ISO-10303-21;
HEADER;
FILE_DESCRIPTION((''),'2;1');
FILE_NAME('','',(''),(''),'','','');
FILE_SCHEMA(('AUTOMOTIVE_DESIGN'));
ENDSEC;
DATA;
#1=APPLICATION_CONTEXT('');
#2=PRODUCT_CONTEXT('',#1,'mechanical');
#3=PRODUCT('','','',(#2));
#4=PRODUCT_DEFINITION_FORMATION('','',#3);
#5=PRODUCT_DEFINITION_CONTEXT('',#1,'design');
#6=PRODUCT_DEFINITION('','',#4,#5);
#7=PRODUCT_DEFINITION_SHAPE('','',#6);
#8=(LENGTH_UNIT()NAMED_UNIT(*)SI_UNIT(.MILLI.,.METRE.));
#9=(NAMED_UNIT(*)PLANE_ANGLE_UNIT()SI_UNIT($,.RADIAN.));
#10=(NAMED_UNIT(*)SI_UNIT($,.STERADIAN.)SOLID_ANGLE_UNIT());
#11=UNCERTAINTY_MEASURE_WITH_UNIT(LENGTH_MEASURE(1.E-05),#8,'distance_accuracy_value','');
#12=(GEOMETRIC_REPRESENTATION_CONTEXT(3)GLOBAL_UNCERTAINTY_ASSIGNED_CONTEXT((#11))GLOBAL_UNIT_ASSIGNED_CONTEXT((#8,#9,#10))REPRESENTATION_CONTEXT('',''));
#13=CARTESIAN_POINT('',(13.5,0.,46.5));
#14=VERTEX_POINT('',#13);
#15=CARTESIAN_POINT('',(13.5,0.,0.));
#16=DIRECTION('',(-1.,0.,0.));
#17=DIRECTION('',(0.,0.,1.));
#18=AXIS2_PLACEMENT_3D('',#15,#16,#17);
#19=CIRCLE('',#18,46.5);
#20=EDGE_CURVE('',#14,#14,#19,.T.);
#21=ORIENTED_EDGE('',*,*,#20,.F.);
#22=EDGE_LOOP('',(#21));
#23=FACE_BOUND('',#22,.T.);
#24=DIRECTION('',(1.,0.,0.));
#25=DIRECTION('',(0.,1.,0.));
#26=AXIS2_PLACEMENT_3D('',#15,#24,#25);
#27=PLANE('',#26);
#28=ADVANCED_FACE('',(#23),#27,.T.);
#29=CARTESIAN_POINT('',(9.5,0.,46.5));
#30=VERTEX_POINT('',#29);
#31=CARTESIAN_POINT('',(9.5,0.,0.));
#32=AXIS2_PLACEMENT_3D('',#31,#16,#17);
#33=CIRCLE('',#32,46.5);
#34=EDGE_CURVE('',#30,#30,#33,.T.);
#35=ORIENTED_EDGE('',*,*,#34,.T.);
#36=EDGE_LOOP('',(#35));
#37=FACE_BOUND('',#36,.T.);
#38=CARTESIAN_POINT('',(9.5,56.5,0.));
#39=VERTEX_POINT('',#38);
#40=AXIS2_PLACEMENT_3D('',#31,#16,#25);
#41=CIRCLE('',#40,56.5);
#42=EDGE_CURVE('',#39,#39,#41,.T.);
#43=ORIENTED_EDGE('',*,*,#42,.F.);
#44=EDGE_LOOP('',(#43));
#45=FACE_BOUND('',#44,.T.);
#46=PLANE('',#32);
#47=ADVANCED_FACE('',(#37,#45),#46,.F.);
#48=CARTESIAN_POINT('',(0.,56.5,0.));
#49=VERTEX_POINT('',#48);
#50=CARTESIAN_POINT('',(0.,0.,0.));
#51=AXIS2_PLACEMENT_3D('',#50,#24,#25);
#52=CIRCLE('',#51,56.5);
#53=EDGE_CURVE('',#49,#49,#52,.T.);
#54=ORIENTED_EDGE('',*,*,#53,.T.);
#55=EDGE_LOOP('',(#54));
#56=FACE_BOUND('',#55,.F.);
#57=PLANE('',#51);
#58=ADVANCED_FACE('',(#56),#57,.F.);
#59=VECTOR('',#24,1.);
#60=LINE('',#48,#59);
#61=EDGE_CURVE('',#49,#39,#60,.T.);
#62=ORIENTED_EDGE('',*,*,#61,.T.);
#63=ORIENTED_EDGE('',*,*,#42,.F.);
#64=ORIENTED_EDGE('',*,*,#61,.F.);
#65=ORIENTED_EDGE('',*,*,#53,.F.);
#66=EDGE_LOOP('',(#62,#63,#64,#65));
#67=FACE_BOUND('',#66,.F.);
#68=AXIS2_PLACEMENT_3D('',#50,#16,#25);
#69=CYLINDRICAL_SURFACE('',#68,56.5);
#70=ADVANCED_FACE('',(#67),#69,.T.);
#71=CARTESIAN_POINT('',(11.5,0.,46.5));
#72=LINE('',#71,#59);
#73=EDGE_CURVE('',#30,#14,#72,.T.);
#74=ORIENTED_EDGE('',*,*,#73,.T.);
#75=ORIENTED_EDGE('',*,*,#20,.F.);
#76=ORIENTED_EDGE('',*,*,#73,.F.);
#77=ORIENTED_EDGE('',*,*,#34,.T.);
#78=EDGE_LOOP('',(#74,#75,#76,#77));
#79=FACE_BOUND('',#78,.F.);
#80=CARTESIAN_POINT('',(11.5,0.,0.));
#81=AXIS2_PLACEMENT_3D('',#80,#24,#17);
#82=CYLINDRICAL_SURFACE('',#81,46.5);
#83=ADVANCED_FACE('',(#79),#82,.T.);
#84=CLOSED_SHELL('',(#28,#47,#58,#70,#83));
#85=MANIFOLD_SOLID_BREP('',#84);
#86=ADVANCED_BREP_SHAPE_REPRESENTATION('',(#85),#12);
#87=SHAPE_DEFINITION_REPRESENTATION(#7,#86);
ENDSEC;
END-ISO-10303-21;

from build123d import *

# Parameters (mm, degrees)
F0_R     = 56.5
F1_DEPTH = 13.5
F2_W     = 4
F2_H     = 10


with BuildPart() as f1:
    # F0 (on Right) → F1 (new body)
    with BuildSketch(Plane.YZ):
        Circle(F0_R)
    extrude(amount=F1_DEPTH)

    # F2 (on Front) → F3 (revolve, cut)
    with BuildSketch(Plane.XZ):
        with Locations((11.5, 51.5)):
            Rectangle(F2_W, F2_H)
    revolve(axis=Axis((0, 0, 0), (-1, 0, 0)), mode=Mode.SUBTRACT)


solid = f1.part
